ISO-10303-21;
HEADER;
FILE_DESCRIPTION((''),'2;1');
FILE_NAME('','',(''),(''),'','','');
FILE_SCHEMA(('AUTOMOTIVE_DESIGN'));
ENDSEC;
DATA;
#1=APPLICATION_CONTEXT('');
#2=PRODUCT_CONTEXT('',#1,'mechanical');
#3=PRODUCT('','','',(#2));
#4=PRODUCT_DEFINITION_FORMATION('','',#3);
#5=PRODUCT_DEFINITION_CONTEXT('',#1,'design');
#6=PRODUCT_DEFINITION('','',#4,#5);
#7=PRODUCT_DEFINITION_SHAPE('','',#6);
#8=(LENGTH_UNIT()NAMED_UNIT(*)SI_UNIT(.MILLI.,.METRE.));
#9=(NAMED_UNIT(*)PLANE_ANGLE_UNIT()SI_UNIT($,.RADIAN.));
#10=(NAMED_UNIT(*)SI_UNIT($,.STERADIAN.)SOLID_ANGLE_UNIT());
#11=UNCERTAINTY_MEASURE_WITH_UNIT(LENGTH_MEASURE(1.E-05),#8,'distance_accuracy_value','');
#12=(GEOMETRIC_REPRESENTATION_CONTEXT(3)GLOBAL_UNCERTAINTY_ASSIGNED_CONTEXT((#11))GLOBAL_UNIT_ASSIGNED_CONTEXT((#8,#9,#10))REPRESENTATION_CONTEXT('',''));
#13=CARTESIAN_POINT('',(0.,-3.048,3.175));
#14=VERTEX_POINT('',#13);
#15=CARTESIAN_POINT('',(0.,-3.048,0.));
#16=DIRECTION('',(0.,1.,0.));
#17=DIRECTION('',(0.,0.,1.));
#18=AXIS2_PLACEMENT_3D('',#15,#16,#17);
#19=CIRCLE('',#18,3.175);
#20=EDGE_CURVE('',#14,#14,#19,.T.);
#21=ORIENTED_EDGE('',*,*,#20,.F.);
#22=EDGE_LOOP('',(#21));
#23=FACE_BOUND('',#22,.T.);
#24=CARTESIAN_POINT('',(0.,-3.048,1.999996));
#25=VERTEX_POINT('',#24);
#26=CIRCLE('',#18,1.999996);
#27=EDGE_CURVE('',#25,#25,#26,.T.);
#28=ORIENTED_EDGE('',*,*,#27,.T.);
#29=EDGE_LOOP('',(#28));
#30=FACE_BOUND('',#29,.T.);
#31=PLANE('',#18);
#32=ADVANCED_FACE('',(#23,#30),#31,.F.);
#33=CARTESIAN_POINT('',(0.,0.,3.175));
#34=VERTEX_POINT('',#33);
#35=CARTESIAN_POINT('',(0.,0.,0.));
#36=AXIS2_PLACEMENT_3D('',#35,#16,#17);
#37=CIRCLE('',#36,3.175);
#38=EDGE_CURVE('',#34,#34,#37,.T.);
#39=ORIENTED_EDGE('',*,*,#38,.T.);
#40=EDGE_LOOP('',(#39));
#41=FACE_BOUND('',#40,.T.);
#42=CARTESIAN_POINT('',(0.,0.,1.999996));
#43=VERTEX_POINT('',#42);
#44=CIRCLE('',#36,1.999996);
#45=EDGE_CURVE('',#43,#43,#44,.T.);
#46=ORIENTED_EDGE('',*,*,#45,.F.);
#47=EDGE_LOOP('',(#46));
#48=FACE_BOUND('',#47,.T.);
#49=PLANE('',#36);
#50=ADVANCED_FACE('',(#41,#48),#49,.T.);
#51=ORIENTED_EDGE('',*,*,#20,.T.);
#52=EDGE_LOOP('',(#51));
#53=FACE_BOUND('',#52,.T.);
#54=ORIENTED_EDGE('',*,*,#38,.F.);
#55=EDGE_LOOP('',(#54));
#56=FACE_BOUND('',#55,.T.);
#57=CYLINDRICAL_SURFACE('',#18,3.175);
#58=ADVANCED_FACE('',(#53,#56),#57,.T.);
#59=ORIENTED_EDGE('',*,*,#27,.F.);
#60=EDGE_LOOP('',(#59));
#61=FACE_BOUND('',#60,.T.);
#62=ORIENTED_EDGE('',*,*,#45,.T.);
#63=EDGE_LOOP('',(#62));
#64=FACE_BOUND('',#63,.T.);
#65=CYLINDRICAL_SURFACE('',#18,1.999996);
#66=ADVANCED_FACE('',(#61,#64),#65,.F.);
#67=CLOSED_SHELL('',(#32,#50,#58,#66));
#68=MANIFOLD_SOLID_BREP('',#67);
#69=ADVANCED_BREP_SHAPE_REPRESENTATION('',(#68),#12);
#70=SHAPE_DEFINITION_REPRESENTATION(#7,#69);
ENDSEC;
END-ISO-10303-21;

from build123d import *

# Parameters (mm, degrees)
SKETCH1_R           = 3.175
SKETCH1_R_2         = 1.999996
BOSS_EXTRUDE1_DEPTH = 3.048


with BuildPart() as part:
    # Sketch1 → Boss-Extrude1 (new body)
    with BuildSketch(Plane(origin=(0, 0, 0), x_dir=(1, 0, 0), z_dir=(0, 1, 0))):
        Circle(SKETCH1_R)
        Circle(SKETCH1_R_2, mode=Mode.SUBTRACT)
    extrude(amount=-BOSS_EXTRUDE1_DEPTH)


solid = part.part
